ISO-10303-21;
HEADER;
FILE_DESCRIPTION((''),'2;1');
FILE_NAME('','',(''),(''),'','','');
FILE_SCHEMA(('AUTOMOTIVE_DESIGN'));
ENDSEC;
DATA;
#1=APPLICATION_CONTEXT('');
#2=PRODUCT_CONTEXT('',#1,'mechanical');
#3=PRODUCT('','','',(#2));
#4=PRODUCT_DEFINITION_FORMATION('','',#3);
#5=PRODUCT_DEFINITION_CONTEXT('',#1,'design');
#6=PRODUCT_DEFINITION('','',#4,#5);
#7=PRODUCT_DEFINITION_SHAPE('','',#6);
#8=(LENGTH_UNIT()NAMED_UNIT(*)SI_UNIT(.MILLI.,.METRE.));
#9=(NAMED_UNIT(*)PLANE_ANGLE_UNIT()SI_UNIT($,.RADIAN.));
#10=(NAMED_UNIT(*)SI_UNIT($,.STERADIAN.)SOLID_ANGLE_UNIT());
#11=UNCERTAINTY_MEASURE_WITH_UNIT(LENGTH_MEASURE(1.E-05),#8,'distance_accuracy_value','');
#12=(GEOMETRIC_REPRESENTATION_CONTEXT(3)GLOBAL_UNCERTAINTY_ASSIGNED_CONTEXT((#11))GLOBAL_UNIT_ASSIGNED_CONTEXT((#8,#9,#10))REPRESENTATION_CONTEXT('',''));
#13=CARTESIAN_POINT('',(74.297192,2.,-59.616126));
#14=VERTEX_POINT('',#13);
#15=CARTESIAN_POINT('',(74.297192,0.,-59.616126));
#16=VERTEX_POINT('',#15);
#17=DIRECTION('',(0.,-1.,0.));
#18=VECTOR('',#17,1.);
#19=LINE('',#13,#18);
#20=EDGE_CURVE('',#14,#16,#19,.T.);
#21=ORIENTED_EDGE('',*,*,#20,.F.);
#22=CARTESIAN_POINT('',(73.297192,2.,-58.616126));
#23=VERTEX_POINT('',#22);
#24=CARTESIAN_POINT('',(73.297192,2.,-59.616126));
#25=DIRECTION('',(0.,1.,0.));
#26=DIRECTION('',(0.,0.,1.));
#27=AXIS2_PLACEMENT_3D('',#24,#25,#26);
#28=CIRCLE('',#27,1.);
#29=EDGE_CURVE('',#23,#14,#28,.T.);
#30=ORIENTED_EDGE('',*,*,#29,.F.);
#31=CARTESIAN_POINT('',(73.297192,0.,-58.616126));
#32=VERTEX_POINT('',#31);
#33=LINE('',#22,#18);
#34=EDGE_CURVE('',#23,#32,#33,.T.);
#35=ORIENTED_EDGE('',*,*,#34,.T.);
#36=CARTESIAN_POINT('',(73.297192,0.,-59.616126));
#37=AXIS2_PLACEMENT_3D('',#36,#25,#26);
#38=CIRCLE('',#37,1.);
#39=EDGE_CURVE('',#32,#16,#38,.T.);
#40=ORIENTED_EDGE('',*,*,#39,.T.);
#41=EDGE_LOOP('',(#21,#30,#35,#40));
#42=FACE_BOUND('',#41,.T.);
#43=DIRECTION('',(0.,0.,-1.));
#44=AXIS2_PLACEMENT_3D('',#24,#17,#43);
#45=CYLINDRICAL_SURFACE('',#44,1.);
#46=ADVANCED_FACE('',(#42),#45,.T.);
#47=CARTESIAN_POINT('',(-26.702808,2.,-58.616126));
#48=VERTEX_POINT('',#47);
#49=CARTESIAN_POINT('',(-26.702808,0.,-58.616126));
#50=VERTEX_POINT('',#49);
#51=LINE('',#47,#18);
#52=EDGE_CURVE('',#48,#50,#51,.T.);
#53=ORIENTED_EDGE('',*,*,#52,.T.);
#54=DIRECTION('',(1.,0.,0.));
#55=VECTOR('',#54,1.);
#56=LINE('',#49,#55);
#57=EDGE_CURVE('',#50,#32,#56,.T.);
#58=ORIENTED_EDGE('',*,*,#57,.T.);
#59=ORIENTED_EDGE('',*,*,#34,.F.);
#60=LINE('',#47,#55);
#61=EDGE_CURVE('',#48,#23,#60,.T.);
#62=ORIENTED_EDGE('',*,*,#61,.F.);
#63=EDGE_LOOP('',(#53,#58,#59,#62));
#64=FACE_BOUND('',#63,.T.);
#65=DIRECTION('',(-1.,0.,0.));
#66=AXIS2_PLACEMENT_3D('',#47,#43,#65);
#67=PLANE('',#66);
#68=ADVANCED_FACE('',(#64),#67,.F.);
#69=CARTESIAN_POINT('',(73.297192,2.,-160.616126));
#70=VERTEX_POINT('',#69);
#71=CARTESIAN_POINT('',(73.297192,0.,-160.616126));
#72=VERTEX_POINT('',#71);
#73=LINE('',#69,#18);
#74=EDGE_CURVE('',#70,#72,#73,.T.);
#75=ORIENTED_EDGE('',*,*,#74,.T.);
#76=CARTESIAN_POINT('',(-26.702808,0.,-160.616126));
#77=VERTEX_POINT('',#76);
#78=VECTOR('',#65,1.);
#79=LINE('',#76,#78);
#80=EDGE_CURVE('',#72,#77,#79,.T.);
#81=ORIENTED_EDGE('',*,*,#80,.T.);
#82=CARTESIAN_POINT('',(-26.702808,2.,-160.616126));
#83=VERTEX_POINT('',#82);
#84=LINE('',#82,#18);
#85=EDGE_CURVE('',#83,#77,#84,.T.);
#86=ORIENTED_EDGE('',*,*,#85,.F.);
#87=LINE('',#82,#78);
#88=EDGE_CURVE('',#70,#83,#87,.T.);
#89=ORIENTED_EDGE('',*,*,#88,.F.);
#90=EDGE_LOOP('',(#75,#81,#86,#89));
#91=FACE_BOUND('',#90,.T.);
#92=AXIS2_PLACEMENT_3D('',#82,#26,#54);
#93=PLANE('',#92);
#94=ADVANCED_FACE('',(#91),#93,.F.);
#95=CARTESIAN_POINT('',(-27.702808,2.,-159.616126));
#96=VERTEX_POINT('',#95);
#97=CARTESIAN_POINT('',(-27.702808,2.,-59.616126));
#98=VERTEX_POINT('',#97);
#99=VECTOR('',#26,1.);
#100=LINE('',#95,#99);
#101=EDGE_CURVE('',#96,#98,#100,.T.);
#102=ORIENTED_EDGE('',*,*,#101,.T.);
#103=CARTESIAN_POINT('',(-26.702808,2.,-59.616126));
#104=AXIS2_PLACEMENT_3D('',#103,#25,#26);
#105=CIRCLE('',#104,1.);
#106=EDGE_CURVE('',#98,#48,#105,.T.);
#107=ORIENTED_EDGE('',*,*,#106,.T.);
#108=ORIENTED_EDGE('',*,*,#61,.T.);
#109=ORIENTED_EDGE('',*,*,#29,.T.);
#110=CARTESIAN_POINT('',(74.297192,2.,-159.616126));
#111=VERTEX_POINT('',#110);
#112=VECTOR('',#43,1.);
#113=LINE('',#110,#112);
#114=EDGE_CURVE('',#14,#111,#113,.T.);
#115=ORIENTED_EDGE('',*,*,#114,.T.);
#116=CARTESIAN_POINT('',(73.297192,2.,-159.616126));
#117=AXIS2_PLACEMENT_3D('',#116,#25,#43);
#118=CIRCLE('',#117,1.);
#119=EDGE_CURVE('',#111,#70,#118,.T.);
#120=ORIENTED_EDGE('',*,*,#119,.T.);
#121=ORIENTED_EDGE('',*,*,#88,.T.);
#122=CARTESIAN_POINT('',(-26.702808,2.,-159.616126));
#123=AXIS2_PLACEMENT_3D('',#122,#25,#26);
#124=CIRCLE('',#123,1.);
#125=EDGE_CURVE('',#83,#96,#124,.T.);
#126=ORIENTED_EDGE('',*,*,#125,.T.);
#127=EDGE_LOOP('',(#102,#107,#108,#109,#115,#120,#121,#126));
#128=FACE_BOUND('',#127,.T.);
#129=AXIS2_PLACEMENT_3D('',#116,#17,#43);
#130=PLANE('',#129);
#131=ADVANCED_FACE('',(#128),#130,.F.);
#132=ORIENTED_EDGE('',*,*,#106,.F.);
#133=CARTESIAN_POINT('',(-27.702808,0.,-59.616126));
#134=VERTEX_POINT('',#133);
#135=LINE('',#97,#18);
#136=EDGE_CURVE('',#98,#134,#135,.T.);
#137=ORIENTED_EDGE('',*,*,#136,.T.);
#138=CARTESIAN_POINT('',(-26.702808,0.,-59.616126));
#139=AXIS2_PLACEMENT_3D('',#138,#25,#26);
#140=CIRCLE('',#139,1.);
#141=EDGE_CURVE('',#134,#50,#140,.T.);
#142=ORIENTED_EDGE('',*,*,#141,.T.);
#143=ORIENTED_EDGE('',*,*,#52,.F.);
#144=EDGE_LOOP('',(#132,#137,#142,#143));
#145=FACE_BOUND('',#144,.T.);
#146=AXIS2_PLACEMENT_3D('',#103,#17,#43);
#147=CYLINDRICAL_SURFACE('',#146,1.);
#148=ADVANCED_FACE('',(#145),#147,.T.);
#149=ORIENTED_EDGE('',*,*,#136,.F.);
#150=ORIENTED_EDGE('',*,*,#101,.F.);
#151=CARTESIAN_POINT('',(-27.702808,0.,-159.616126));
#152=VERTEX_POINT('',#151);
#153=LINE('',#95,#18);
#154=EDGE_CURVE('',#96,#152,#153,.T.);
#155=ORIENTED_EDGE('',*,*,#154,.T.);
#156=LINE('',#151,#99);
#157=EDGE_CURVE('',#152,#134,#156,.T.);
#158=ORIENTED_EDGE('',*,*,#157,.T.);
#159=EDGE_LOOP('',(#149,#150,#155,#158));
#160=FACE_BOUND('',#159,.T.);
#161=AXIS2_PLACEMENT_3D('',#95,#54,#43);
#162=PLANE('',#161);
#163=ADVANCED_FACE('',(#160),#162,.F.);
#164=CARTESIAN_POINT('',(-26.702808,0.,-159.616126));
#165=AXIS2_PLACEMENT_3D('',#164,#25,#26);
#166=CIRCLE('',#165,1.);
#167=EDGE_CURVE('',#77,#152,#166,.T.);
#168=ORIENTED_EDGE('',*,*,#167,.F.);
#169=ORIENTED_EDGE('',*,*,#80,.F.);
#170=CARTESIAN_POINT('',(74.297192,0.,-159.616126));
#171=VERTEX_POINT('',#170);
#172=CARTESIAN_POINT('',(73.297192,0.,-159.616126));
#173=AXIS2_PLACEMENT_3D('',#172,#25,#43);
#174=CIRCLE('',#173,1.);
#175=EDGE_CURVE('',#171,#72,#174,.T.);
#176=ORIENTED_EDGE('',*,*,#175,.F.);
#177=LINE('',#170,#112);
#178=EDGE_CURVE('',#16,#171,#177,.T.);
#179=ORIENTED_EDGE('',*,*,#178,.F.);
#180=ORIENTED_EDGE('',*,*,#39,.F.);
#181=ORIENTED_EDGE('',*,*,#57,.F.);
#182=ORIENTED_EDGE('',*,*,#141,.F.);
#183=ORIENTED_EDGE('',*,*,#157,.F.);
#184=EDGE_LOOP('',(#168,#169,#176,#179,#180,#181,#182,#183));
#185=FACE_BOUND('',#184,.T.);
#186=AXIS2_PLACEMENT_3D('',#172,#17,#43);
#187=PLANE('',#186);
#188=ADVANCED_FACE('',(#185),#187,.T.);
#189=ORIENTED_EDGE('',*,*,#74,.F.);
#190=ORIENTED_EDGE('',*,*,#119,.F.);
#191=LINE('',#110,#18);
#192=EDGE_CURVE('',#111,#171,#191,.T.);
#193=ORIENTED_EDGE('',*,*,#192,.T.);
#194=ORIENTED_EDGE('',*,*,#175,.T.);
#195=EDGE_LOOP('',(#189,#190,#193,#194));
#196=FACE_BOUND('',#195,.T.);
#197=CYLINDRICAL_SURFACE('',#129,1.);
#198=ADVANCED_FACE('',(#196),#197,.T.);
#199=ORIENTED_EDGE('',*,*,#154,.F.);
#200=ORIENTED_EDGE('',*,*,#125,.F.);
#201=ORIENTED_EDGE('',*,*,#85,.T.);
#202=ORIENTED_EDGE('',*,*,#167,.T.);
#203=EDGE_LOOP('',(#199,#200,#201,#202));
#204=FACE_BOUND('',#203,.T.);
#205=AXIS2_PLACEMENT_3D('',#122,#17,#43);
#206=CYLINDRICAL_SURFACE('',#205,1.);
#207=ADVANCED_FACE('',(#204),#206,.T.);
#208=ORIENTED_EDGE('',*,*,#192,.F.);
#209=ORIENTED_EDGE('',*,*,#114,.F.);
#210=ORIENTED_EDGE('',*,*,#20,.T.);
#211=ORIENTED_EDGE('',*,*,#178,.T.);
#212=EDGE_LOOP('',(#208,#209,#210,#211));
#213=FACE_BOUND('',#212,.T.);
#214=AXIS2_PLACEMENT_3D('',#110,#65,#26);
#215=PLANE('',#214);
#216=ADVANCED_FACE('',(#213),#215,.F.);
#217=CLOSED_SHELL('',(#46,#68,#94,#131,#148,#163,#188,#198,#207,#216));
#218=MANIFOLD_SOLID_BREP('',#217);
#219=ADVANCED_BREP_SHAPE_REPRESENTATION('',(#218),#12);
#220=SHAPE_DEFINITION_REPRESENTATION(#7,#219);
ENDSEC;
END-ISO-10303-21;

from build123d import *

# Parameters (mm, degrees)
RESSALTO_EXTRUS_O1_DEPTH = 2


with BuildPart() as part:
    # Esboço1 → Ressalto-extrusão1 (new body)
    with BuildSketch(Plane(origin=(0, 0, 0), x_dir=(1, 0, 0), z_dir=(0, 1, 0))):
        with BuildLine():
            Line((-26.702808043, 160.616125956), (73.297191957, 160.616125956))
            ThreePointArc((73.297191957, 160.616125956), (74.004298738, 160.323232737), (74.297191957, 159.616125956))
            Line((74.297191957, 159.616125956), (74.297191957, 59.616125956))
            ThreePointArc((74.297191957, 59.616125956), (74.004298738, 58.909019175), (73.297191957, 58.616125956))
            Line((73.297191957, 58.616125956), (-26.702808043, 58.616125956))
            ThreePointArc((-26.702808043, 58.616125956), (-27.409914824, 58.909019175), (-27.702808043, 59.616125956))
            Line((-27.702808043, 59.616125956), (-27.702808043, 159.616125956))
            ThreePointArc((-27.702808043, 159.616125956), (-27.409914824, 160.323232737), (-26.702808043, 160.616125956))
        make_face()
    extrude(amount=RESSALTO_EXTRUS_O1_DEPTH)


solid = part.part
